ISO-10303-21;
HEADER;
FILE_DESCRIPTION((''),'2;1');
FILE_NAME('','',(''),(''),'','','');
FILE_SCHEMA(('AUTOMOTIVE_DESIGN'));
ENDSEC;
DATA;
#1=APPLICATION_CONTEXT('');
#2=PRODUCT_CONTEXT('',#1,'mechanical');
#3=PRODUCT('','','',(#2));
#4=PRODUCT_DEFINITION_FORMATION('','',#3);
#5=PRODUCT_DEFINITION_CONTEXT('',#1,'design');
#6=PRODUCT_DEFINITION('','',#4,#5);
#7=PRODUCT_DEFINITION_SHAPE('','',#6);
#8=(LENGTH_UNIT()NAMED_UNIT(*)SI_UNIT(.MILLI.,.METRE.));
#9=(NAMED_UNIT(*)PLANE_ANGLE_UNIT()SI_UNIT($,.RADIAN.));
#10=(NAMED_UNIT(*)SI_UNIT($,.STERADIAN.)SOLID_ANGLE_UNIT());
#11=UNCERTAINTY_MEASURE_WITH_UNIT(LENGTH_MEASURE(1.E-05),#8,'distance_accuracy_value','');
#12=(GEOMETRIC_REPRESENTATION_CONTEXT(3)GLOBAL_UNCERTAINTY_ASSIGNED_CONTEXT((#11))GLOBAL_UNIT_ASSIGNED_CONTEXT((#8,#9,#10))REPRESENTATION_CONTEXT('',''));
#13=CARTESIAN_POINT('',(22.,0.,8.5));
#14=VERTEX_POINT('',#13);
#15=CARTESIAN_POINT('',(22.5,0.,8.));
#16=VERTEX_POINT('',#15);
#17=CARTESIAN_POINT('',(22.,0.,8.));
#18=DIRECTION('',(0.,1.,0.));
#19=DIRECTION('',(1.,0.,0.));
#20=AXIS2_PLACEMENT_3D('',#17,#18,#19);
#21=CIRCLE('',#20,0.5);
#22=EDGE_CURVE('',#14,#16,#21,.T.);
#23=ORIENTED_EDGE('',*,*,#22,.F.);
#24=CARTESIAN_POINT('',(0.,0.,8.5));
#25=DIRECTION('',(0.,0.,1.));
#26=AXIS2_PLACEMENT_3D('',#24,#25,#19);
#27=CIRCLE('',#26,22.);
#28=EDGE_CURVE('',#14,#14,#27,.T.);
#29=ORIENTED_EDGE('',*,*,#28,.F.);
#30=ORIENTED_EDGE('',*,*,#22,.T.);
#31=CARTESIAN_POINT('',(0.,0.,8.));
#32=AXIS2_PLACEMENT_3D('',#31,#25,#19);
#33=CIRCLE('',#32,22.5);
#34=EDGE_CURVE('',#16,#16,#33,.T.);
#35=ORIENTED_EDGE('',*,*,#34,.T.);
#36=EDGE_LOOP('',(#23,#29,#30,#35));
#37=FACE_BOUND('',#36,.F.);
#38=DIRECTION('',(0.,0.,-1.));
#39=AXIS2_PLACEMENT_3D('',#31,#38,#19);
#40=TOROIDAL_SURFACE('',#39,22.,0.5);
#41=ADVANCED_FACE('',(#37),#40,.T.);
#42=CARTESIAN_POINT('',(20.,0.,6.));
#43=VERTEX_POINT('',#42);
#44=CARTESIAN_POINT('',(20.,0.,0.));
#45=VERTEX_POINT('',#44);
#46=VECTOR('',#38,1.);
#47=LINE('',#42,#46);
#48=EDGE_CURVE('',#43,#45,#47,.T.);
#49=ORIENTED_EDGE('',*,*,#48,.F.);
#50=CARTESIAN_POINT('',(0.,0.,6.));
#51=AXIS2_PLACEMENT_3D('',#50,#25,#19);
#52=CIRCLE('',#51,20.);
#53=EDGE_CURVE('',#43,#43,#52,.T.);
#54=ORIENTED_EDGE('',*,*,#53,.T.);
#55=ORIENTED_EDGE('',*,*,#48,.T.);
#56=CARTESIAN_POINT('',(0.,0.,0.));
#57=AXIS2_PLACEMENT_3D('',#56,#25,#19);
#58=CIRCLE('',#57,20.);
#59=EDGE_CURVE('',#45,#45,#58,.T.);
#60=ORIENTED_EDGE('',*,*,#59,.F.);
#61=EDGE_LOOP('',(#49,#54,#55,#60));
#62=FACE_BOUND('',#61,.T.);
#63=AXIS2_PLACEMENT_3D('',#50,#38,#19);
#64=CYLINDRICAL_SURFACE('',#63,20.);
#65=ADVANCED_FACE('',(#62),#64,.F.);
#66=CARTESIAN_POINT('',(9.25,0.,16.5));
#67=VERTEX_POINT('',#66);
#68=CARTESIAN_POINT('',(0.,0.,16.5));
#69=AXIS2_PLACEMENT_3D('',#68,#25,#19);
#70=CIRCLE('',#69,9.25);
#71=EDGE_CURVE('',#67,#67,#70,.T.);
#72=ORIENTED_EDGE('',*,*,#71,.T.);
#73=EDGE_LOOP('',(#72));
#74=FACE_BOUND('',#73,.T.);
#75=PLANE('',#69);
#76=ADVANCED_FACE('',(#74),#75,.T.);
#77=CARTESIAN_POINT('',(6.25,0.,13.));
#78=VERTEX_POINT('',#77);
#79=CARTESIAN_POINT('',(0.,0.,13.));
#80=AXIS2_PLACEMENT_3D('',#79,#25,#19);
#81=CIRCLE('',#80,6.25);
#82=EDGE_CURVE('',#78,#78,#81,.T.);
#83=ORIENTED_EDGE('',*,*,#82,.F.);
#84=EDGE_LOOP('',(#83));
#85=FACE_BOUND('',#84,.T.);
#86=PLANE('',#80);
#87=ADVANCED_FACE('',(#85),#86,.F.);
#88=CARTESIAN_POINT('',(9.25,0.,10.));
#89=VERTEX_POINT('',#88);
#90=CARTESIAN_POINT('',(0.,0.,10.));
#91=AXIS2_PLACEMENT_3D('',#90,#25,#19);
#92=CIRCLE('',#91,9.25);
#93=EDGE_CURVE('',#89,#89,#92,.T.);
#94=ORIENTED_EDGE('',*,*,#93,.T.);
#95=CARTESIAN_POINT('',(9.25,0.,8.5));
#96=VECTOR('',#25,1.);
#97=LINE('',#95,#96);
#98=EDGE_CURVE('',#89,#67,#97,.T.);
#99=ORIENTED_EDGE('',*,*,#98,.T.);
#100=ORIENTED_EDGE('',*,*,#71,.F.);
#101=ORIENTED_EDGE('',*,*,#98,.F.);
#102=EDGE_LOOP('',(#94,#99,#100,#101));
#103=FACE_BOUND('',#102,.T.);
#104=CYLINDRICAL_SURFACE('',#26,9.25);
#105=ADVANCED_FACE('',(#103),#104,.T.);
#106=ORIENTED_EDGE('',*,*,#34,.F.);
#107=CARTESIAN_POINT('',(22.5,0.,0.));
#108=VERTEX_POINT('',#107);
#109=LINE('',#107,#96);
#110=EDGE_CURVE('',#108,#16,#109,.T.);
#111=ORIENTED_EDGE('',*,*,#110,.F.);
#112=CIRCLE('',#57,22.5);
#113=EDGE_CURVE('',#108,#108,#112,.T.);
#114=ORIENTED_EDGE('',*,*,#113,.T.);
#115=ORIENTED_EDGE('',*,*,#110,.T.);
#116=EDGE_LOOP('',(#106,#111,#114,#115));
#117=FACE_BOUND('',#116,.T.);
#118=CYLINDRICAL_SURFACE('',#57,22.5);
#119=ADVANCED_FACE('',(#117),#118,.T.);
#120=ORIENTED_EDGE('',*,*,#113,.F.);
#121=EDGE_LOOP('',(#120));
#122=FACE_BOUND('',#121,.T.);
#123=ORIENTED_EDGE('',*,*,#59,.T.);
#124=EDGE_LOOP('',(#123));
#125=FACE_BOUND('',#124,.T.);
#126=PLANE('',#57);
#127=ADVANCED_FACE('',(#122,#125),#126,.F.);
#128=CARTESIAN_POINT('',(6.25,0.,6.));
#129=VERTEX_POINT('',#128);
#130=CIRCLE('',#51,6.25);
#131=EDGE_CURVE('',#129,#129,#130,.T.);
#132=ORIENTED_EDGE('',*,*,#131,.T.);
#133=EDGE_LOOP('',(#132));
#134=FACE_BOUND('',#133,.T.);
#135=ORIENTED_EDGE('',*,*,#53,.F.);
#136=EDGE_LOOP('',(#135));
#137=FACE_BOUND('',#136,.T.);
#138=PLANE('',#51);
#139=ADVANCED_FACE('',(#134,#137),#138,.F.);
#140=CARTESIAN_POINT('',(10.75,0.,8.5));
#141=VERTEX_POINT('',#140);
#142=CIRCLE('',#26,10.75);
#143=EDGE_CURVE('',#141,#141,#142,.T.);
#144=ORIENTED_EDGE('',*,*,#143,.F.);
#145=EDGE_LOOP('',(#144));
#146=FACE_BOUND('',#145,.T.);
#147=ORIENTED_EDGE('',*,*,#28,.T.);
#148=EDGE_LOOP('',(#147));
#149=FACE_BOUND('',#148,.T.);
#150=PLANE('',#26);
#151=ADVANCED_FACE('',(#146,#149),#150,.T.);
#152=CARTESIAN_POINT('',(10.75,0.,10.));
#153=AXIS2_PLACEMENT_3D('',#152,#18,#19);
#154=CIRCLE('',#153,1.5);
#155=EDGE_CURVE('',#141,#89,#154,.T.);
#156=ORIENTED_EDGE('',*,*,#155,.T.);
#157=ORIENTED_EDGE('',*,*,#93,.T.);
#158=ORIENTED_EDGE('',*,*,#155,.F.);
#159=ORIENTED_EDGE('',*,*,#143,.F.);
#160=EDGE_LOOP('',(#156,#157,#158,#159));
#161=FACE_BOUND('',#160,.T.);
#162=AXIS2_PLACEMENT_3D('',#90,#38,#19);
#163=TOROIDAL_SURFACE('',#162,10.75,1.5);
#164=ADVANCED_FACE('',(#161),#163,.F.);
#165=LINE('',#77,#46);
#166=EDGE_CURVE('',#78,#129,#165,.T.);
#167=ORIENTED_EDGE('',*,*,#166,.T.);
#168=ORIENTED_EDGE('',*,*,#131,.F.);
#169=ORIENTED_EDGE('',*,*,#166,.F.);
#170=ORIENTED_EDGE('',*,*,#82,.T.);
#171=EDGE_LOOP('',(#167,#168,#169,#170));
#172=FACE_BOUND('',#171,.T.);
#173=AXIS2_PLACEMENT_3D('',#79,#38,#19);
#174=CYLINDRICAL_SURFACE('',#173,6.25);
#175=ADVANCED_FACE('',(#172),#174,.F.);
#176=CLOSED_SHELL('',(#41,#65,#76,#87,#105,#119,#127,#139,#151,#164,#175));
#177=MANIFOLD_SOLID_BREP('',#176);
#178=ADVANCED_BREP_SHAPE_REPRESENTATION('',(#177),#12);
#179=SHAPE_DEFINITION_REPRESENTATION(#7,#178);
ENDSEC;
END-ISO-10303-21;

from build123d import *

# Parameters (mm, degrees)
F2_R = 1.5
F3_R = 0.5


with BuildPart() as f1:
    # F0 (on Front) → F1 (revolve)
    with BuildSketch(Plane.XZ):
        Polygon((0, 16.5), (0, 13), (6.25, 13), (6.25, 6), (20, 6), (20, 0), (22.5, 0), (22.5, 8.5), (9.25, 8.5), (9.25, 16.5), align=None)
    revolve(axis=Axis((0, 0, 14.75), (0, 0, 1)))

    # F2
    f2_edges = [f1.edges().sort_by_distance(p)[0] for p in [
        (-9.25, 0, 8.5),
    ]]
    fillet(f2_edges, radius=F2_R)

    # F3
    f3_edges = [f1.edges().sort_by_distance(p)[0] for p in [
        (-22.5, 0, 8.5),
    ]]
    fillet(f3_edges, radius=F3_R)


solid = f1.part
